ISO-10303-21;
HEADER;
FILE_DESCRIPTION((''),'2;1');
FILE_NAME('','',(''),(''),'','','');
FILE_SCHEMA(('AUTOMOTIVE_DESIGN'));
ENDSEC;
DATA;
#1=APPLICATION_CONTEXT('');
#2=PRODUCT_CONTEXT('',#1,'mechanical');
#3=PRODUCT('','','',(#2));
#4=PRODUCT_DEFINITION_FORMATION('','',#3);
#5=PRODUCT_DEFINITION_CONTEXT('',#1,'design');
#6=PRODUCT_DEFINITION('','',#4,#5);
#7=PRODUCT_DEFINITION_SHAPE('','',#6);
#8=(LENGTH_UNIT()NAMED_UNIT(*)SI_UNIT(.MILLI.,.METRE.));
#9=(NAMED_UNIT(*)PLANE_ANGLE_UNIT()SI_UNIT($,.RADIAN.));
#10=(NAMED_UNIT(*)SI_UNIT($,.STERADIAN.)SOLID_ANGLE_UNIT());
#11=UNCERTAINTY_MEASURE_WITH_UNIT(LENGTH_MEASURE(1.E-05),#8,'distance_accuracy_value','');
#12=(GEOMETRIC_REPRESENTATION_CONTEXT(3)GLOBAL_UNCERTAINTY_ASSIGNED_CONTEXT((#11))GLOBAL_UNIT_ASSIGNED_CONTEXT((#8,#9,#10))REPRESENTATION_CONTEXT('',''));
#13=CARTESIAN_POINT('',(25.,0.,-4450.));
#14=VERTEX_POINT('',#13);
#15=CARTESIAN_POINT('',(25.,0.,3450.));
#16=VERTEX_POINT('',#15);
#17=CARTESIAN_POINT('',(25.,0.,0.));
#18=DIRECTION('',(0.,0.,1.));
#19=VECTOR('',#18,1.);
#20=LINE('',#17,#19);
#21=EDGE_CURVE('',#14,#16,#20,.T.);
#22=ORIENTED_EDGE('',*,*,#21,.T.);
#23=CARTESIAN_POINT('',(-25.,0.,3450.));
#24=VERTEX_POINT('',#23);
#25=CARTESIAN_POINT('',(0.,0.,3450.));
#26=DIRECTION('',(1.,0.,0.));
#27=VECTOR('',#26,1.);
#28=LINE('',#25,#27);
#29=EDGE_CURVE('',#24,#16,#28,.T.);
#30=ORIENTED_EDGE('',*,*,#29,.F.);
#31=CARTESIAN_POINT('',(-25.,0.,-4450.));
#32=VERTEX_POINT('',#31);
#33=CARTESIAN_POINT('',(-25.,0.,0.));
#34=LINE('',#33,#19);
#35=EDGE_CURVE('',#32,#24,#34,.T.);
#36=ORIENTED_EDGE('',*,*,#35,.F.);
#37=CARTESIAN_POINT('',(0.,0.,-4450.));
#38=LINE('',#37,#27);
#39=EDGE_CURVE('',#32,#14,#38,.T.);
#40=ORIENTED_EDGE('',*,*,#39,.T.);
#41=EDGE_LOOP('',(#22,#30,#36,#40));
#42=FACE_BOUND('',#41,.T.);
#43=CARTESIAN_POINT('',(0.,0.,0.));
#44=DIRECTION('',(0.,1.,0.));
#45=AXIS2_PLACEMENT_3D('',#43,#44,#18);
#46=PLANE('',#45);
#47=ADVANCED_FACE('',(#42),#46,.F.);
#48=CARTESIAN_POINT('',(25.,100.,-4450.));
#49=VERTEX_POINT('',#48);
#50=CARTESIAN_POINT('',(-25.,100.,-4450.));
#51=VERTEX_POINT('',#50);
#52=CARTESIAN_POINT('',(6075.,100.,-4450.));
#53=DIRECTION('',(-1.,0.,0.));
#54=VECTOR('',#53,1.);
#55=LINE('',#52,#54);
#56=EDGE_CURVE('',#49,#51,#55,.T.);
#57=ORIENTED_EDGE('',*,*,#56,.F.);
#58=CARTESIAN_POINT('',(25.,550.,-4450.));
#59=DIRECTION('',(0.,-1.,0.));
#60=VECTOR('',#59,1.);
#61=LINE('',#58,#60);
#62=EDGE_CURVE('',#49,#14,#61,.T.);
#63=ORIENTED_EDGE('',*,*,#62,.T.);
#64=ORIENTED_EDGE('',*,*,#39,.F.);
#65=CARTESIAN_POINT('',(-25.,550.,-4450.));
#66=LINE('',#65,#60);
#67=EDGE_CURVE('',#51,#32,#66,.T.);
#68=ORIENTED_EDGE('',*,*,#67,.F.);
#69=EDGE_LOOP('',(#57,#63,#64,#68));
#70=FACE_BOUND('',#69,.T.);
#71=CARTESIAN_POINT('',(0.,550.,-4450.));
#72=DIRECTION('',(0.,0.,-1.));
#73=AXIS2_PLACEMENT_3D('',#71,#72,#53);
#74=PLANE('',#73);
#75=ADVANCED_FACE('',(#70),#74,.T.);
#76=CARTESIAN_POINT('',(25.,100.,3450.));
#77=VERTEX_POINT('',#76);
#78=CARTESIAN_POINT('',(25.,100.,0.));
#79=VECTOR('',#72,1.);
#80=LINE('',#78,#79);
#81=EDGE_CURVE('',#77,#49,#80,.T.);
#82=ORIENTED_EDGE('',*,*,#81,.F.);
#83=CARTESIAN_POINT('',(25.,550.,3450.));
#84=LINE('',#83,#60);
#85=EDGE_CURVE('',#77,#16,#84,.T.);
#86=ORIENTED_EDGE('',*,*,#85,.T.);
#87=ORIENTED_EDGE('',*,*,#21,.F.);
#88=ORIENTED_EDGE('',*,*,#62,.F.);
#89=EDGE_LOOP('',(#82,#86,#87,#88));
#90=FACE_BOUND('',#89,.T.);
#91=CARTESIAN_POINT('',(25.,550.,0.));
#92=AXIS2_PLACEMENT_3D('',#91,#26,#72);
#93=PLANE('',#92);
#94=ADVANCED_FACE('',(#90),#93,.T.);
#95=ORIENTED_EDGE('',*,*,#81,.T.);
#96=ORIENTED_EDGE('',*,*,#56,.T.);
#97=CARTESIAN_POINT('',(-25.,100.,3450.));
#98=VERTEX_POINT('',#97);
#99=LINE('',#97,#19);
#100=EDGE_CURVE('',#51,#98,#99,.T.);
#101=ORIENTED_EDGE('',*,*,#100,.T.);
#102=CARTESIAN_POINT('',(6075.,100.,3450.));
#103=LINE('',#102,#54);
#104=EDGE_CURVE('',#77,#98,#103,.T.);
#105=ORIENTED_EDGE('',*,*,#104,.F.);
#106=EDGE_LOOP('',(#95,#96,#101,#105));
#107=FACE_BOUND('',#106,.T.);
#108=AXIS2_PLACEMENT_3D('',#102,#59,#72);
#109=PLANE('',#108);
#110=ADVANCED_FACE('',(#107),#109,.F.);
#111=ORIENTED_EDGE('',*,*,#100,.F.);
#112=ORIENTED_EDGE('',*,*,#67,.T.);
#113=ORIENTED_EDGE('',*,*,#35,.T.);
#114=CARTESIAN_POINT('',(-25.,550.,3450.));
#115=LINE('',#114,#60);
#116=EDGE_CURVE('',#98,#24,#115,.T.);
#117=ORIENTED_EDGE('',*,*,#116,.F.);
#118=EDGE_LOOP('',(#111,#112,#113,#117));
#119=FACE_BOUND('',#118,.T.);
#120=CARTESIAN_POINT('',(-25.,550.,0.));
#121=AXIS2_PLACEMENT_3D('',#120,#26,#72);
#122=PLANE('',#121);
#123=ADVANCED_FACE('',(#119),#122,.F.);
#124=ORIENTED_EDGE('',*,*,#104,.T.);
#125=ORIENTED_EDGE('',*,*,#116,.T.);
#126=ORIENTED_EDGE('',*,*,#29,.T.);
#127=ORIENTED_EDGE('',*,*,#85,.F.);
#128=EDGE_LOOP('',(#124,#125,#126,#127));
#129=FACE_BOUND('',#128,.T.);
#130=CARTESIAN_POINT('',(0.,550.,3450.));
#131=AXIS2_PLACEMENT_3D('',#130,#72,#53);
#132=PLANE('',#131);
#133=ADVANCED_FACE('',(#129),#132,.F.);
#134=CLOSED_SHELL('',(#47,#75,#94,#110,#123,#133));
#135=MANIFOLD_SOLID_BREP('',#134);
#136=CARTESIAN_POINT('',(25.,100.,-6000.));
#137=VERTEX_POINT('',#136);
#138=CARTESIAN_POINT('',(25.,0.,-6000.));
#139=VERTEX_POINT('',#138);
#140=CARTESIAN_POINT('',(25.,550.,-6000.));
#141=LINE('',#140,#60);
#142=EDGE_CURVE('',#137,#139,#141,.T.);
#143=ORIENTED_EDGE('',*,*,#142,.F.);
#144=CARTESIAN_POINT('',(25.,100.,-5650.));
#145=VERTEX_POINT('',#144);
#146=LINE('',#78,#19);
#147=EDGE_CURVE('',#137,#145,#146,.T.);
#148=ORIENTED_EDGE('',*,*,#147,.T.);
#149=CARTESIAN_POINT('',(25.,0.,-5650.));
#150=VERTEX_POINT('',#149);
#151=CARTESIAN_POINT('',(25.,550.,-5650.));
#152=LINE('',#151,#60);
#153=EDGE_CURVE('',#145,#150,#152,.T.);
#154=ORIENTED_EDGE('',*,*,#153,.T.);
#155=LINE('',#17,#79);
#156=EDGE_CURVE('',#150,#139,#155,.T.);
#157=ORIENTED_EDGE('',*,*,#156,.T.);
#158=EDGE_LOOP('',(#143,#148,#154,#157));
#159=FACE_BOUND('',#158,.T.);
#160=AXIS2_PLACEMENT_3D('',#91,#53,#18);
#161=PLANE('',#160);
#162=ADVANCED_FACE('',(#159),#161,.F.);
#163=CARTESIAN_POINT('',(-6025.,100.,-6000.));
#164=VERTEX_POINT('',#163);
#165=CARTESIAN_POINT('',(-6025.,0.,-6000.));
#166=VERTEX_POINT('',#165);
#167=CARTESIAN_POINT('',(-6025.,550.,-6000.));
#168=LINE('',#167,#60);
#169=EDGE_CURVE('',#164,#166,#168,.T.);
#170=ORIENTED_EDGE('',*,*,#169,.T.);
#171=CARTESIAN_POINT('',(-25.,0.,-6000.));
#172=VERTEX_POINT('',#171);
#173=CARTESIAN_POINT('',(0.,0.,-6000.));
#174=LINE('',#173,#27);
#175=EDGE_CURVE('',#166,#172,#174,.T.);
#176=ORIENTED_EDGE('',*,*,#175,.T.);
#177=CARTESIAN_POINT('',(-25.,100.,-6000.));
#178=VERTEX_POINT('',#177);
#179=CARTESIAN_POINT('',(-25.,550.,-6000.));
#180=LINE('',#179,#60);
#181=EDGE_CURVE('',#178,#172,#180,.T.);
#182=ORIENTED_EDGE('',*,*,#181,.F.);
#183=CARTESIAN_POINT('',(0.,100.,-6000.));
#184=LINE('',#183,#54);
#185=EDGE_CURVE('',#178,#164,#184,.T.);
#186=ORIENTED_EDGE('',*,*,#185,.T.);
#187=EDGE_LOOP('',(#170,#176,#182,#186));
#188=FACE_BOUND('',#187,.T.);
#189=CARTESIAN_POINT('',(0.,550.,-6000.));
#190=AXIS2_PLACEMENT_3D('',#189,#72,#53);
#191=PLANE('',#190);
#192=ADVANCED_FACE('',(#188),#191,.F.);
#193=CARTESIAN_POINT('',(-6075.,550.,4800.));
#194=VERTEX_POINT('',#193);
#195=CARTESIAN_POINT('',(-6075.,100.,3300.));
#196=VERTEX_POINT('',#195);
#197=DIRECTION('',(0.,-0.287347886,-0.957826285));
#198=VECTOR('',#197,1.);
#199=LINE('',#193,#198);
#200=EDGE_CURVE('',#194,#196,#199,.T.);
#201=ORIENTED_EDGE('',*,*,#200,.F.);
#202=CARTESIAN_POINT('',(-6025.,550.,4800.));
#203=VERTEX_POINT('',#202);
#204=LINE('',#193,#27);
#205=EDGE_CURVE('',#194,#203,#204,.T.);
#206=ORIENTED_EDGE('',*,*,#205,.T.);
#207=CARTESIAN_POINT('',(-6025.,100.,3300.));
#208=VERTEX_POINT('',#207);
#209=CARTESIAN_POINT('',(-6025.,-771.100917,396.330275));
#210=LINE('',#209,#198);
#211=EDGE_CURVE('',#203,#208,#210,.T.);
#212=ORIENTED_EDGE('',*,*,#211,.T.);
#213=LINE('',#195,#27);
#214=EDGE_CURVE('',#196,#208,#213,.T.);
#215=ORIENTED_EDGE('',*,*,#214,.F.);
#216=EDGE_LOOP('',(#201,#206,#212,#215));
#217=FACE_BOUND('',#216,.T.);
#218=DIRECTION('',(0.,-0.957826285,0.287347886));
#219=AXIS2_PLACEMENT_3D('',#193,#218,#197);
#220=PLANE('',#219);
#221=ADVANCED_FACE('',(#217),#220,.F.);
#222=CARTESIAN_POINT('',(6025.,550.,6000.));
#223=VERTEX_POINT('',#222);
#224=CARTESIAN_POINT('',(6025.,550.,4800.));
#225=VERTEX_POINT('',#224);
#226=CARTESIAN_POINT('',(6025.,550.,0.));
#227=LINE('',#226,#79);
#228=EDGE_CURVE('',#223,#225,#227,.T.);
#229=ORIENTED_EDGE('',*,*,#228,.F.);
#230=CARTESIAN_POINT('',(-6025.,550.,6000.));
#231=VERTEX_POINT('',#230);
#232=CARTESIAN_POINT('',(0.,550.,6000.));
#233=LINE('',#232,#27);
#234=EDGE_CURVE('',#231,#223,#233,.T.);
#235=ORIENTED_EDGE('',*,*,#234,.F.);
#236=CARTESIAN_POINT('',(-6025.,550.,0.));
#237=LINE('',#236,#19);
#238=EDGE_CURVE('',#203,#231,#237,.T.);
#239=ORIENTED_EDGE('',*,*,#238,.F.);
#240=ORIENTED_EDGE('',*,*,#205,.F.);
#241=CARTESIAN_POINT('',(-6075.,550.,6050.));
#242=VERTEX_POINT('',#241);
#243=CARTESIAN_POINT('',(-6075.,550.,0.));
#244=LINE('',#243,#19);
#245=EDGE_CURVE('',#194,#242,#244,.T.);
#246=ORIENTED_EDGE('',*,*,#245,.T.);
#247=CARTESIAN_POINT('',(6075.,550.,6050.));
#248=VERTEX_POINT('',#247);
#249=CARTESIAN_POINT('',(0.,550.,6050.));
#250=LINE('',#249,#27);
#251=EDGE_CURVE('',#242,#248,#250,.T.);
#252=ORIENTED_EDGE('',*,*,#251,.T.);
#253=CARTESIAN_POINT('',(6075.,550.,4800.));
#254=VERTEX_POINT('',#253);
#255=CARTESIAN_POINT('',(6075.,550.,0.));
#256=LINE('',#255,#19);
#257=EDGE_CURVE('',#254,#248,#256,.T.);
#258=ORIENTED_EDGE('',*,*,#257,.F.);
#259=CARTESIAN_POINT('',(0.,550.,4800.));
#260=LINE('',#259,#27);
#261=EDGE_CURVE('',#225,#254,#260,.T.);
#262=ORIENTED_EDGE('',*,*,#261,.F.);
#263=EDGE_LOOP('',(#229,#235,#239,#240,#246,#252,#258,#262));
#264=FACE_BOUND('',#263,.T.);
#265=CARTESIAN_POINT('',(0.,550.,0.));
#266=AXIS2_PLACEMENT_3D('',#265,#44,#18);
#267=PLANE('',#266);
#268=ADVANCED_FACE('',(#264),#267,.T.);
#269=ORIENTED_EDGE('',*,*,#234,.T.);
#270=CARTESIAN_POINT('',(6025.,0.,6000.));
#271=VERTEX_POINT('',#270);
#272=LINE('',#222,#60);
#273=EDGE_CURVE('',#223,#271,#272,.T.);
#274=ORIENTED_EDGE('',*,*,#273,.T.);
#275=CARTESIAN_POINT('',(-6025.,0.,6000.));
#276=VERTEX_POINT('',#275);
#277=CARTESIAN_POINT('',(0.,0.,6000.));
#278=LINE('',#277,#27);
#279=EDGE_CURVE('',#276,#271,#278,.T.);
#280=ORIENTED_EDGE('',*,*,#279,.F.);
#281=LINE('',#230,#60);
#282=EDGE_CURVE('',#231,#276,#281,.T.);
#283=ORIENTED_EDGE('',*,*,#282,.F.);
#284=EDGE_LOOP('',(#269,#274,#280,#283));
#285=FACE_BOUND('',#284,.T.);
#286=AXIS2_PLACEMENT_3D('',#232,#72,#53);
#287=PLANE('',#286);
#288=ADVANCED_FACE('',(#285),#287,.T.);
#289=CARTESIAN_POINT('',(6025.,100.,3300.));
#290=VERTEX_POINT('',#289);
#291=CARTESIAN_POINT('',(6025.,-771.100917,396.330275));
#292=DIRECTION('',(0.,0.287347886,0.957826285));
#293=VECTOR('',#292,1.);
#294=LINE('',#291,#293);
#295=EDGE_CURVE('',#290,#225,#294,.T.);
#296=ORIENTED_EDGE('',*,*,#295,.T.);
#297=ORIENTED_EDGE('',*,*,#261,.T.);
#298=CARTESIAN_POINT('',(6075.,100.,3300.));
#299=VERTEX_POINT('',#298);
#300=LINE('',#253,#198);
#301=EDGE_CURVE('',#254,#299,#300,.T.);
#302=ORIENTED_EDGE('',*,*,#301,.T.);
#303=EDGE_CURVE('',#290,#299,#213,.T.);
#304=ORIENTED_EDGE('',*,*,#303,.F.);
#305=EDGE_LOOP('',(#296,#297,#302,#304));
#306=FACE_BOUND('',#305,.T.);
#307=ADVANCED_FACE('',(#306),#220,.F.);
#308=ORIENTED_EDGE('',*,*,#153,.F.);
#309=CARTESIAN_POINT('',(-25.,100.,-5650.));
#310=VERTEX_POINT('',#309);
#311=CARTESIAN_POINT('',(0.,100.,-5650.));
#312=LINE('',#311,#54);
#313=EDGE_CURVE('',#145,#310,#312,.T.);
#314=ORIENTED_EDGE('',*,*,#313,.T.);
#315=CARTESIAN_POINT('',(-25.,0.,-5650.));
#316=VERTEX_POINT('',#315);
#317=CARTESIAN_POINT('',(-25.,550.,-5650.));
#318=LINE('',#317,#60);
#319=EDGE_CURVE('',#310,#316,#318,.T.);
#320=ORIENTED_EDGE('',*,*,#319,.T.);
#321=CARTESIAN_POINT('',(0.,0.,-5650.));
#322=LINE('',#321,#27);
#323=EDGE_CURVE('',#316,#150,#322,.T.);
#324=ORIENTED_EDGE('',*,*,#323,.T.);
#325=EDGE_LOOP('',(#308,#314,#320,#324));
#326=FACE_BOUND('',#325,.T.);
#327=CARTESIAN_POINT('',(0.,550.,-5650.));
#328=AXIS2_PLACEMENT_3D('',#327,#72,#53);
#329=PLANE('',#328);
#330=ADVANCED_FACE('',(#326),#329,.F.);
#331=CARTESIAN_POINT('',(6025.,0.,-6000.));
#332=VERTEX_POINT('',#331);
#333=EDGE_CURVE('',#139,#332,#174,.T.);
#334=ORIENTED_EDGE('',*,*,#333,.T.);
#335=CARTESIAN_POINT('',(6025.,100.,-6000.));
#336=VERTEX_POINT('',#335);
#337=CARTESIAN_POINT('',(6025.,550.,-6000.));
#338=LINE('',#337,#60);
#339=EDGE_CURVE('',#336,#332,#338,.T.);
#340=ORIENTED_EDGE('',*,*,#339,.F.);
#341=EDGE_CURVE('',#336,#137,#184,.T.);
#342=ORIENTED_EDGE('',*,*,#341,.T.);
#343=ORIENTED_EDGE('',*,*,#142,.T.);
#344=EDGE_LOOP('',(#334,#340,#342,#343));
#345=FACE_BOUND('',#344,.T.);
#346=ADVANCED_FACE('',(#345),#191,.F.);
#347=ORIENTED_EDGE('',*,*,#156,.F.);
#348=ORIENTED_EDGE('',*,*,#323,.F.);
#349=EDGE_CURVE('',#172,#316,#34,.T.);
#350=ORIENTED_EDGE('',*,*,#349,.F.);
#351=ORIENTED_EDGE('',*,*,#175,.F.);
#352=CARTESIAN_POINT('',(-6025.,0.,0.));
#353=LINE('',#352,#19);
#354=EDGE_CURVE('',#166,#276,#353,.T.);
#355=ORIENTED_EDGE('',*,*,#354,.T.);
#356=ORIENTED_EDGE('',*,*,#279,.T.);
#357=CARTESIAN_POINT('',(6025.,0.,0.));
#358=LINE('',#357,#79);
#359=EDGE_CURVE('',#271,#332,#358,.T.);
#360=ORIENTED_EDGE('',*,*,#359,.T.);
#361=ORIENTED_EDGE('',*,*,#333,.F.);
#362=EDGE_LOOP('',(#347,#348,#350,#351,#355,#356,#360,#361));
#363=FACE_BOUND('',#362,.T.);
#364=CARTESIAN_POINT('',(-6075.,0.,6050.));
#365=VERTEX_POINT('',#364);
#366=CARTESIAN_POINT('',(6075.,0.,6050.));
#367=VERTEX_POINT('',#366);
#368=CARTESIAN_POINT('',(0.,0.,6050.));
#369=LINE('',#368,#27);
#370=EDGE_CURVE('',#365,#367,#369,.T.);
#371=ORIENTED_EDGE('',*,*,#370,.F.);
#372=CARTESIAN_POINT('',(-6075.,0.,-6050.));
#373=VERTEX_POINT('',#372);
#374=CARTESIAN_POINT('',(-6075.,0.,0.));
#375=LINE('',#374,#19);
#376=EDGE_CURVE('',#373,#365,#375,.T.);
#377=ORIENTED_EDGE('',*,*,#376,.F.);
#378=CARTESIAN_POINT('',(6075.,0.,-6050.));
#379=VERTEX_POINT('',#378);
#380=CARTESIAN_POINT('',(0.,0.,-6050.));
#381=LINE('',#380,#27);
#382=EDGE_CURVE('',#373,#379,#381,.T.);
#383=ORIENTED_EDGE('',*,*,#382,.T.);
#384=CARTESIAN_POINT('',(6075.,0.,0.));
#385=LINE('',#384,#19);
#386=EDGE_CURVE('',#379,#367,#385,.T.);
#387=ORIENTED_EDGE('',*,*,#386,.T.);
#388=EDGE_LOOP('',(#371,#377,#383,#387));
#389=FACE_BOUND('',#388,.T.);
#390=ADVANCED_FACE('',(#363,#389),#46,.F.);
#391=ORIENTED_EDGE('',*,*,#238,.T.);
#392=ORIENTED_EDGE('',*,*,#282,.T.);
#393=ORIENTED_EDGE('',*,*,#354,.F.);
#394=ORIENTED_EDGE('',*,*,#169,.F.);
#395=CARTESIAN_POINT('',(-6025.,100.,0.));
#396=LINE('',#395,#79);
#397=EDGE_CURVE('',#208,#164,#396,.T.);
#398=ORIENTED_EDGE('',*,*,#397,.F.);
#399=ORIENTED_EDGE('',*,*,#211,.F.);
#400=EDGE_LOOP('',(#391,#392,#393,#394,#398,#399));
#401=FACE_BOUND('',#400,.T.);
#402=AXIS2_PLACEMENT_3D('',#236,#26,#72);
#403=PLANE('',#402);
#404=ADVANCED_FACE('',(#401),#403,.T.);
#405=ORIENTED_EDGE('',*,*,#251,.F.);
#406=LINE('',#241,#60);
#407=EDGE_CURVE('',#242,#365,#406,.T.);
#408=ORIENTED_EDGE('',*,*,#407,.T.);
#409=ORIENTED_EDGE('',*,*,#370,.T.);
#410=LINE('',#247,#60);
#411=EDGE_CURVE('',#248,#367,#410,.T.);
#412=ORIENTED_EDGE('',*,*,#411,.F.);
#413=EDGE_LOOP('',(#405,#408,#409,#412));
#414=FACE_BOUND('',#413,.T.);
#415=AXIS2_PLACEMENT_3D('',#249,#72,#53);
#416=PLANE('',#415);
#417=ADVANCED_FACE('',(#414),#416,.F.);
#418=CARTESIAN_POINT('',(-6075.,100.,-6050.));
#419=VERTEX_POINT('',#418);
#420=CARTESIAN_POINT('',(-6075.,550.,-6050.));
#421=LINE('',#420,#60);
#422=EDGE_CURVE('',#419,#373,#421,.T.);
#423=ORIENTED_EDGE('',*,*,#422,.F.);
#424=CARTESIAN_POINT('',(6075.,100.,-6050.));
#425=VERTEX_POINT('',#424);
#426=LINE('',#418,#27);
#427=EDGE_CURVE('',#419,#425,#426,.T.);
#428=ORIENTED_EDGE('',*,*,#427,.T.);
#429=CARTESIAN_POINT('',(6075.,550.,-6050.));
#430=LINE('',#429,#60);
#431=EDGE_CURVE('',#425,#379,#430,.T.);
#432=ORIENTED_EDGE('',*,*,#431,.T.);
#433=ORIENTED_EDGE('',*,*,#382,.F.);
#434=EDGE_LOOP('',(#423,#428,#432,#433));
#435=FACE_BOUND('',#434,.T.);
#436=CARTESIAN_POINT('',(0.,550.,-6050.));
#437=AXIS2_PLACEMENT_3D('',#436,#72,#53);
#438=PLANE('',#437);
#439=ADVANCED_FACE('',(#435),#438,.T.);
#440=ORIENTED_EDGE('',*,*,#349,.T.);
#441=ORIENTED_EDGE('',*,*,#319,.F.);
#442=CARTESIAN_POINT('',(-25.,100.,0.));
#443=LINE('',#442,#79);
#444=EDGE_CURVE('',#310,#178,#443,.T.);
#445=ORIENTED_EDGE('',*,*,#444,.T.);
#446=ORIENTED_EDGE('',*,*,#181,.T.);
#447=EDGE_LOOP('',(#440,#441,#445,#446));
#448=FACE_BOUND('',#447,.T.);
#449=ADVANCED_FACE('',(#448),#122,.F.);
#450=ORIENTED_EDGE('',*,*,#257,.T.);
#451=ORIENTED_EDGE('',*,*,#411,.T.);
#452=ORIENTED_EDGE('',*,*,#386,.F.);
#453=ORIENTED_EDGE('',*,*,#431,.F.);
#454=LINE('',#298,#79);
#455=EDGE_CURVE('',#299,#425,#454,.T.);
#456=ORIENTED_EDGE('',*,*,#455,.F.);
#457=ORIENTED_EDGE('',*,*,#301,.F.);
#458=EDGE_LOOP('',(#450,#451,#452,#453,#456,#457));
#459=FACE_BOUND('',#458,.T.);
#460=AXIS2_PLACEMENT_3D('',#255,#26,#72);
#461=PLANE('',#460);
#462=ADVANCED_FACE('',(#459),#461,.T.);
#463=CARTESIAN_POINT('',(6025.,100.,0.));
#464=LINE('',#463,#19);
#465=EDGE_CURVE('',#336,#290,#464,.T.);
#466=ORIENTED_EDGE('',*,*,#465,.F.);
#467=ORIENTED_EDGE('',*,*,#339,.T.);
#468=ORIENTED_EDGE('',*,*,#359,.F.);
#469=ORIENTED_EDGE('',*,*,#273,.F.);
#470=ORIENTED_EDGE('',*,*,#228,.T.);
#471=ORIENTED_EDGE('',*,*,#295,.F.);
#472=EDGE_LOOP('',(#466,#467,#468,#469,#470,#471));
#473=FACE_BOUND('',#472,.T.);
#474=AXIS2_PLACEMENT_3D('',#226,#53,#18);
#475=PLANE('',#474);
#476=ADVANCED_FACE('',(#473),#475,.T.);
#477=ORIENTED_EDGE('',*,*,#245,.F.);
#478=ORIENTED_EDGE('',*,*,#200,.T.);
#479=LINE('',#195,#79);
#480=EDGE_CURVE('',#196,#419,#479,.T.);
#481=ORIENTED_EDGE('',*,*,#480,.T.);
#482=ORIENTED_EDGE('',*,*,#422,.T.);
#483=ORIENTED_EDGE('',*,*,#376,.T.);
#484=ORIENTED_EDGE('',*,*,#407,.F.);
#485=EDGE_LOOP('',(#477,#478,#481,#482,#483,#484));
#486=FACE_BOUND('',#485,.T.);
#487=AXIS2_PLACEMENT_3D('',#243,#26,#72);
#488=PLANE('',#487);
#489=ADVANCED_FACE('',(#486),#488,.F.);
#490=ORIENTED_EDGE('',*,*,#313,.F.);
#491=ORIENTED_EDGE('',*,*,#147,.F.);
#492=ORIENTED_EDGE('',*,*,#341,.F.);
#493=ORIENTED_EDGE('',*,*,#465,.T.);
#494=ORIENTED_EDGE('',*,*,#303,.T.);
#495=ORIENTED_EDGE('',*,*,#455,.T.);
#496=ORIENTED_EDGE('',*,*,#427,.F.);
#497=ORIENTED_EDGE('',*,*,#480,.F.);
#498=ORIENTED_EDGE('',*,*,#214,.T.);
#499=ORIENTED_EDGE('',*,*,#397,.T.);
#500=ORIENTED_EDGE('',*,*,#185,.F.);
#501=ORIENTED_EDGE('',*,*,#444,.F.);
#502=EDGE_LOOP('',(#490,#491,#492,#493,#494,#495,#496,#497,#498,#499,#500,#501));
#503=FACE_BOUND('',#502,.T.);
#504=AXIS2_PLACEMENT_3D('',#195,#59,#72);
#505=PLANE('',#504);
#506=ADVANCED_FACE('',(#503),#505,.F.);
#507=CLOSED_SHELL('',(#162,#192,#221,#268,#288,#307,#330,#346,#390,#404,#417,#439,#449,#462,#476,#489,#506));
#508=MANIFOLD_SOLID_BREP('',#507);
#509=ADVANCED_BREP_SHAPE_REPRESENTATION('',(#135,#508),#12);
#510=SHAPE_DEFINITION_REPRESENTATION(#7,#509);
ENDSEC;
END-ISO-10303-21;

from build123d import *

# Parameters (mm, degrees)
SKETCH_1_W          = 12150
SKETCH_1_H          = 12100
EXTRUDE_1_DEPTH     = 550
SKETCH_1_W_2        = 50
SKETCH_1_H_2        = 7900
EXTRUDE_1_2_DEPTH   = 550
CUT_EXTRUDE_1_DEPTH = 13585.089958477
SKETCH_3_W          = 7900
SKETCH_3_H          = 450
CUT_EXTRUDE_2_DEPTH = 8610.006911369


with BuildPart() as part:
    # 草图1 → 凸台-拉伸1 (new body)
    with BuildSketch(Plane(origin=(0, 0, 0), x_dir=(1, 0, 0), z_dir=(0, 1, 0))):
        Rectangle(SKETCH_1_W, SKETCH_1_H)
        Polygon((6025, -6000), (6025, 6000), (25, 6000), (25, 5650), (-25, 5650), (-25, 6000), (-6025, 6000), (-6025, -6000), align=None, mode=Mode.SUBTRACT)
    extrude(amount=EXTRUDE_1_DEPTH)

    # 草图2 → 切除-拉伸1 (cut, through all)
    with BuildSketch(Plane(origin=(6075, 0, 0), x_dir=(0, 0, -1), z_dir=(1, 0, 0))):
        Polygon((-4800, 550), (-3300, 100), (6050, 100), (6050, 550), align=None)
    extrude(amount=-CUT_EXTRUDE_1_DEPTH, mode=Mode.SUBTRACT)


with BuildPart() as body_2:
    # 草图1 → Extrude 1 2 (new body)
    with BuildSketch(Plane(origin=(0, 0, 0), x_dir=(1, 0, 0), z_dir=(0, 1, 0))):
        with Locations((0, 500)):
            Rectangle(SKETCH_1_W_2, SKETCH_1_H_2)
    extrude(amount=EXTRUDE_1_2_DEPTH)

    # 草图3 → 切除-拉伸2 (cut, through all)
    with BuildSketch(Plane.ZY.offset(25)):
        with Locations((-500, 325)):
            Rectangle(SKETCH_3_W, SKETCH_3_H)
    extrude(amount=-CUT_EXTRUDE_2_DEPTH, mode=Mode.SUBTRACT)


solid = Compound([part.part, body_2.part])
